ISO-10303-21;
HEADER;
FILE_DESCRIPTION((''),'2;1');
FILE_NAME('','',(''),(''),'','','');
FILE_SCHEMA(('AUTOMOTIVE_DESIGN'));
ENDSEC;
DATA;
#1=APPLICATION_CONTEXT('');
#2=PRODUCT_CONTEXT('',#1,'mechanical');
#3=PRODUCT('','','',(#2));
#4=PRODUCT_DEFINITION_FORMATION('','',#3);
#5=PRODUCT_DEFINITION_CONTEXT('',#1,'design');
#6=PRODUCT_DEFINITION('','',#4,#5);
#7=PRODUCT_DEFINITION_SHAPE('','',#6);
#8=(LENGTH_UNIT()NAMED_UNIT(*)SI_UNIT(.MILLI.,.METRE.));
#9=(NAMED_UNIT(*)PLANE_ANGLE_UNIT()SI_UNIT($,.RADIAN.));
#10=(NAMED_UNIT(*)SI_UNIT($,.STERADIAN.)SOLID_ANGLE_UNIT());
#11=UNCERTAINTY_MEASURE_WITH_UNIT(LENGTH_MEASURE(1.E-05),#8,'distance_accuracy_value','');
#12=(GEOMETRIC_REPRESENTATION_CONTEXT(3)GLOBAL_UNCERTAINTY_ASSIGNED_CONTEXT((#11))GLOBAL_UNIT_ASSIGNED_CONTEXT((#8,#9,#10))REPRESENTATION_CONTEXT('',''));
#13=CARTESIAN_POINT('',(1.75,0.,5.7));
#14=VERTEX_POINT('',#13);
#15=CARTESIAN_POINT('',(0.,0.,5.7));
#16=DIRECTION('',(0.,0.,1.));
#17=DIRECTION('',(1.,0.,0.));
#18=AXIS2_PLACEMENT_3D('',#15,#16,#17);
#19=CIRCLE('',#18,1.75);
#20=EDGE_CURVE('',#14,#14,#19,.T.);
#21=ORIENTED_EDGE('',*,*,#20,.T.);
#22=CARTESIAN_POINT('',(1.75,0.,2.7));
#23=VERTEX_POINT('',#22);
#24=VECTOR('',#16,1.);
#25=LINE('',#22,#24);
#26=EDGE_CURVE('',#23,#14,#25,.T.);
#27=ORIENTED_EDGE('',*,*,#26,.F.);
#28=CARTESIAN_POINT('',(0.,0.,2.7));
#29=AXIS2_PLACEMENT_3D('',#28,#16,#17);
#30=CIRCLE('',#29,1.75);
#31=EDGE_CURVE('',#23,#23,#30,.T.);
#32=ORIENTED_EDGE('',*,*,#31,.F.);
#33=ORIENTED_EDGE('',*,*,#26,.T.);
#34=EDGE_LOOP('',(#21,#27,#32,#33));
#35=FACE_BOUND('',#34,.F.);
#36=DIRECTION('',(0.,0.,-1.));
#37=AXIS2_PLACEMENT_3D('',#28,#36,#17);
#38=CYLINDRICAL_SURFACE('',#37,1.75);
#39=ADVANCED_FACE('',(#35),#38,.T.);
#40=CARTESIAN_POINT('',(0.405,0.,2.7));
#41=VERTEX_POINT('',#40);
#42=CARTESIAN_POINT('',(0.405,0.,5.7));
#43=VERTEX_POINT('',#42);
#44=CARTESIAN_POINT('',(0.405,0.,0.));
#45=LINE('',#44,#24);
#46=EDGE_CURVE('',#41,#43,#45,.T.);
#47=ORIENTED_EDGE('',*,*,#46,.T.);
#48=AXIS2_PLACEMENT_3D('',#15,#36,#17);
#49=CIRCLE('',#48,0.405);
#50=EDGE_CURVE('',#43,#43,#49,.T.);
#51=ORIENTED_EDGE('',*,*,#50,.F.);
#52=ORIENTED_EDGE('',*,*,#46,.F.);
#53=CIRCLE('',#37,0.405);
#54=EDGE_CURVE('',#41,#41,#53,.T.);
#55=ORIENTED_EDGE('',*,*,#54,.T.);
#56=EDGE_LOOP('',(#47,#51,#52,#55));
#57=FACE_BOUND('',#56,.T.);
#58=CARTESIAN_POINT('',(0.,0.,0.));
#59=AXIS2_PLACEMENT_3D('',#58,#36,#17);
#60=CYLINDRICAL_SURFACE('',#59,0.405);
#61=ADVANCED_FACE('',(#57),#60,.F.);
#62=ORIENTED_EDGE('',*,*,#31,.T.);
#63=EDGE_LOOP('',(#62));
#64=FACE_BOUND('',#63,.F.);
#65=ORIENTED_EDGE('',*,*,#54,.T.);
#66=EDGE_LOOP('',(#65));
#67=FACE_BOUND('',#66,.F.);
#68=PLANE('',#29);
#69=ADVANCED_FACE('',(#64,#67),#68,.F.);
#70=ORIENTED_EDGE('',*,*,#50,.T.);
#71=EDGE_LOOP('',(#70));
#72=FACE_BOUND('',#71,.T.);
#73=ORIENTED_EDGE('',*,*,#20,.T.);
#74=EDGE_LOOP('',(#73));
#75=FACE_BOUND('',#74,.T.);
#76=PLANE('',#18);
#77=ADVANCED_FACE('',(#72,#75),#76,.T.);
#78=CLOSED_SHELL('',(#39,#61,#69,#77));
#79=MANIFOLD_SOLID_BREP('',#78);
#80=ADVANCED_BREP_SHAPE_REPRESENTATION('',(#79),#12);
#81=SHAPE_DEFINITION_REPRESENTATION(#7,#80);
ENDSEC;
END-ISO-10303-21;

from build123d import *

# Parameters (mm, degrees)
CYLINDER159_R     = 0.405
CYLINDER159_DEPTH = 17
CYLINDER149_R     = 1.75
CYLINDER149_DEPTH = 3


with BuildPart() as ftbeadhole:
    # Cylinder159 → Cylinder159 (new body)
    with BuildSketch(Plane.XY):
        Circle(CYLINDER159_R)
    extrude(amount=CYLINDER159_DEPTH)


with BuildPart() as cut020:
    # Cylinder149 → Cylinder149 (new body)
    with BuildSketch(Plane.XY.offset(2.7)):
        Circle(CYLINDER149_R)
    extrude(amount=CYLINDER149_DEPTH)

    # Cut020: cut FTBeadHole
    add(ftbeadhole.part, mode=Mode.SUBTRACT)


solid = cut020.part
